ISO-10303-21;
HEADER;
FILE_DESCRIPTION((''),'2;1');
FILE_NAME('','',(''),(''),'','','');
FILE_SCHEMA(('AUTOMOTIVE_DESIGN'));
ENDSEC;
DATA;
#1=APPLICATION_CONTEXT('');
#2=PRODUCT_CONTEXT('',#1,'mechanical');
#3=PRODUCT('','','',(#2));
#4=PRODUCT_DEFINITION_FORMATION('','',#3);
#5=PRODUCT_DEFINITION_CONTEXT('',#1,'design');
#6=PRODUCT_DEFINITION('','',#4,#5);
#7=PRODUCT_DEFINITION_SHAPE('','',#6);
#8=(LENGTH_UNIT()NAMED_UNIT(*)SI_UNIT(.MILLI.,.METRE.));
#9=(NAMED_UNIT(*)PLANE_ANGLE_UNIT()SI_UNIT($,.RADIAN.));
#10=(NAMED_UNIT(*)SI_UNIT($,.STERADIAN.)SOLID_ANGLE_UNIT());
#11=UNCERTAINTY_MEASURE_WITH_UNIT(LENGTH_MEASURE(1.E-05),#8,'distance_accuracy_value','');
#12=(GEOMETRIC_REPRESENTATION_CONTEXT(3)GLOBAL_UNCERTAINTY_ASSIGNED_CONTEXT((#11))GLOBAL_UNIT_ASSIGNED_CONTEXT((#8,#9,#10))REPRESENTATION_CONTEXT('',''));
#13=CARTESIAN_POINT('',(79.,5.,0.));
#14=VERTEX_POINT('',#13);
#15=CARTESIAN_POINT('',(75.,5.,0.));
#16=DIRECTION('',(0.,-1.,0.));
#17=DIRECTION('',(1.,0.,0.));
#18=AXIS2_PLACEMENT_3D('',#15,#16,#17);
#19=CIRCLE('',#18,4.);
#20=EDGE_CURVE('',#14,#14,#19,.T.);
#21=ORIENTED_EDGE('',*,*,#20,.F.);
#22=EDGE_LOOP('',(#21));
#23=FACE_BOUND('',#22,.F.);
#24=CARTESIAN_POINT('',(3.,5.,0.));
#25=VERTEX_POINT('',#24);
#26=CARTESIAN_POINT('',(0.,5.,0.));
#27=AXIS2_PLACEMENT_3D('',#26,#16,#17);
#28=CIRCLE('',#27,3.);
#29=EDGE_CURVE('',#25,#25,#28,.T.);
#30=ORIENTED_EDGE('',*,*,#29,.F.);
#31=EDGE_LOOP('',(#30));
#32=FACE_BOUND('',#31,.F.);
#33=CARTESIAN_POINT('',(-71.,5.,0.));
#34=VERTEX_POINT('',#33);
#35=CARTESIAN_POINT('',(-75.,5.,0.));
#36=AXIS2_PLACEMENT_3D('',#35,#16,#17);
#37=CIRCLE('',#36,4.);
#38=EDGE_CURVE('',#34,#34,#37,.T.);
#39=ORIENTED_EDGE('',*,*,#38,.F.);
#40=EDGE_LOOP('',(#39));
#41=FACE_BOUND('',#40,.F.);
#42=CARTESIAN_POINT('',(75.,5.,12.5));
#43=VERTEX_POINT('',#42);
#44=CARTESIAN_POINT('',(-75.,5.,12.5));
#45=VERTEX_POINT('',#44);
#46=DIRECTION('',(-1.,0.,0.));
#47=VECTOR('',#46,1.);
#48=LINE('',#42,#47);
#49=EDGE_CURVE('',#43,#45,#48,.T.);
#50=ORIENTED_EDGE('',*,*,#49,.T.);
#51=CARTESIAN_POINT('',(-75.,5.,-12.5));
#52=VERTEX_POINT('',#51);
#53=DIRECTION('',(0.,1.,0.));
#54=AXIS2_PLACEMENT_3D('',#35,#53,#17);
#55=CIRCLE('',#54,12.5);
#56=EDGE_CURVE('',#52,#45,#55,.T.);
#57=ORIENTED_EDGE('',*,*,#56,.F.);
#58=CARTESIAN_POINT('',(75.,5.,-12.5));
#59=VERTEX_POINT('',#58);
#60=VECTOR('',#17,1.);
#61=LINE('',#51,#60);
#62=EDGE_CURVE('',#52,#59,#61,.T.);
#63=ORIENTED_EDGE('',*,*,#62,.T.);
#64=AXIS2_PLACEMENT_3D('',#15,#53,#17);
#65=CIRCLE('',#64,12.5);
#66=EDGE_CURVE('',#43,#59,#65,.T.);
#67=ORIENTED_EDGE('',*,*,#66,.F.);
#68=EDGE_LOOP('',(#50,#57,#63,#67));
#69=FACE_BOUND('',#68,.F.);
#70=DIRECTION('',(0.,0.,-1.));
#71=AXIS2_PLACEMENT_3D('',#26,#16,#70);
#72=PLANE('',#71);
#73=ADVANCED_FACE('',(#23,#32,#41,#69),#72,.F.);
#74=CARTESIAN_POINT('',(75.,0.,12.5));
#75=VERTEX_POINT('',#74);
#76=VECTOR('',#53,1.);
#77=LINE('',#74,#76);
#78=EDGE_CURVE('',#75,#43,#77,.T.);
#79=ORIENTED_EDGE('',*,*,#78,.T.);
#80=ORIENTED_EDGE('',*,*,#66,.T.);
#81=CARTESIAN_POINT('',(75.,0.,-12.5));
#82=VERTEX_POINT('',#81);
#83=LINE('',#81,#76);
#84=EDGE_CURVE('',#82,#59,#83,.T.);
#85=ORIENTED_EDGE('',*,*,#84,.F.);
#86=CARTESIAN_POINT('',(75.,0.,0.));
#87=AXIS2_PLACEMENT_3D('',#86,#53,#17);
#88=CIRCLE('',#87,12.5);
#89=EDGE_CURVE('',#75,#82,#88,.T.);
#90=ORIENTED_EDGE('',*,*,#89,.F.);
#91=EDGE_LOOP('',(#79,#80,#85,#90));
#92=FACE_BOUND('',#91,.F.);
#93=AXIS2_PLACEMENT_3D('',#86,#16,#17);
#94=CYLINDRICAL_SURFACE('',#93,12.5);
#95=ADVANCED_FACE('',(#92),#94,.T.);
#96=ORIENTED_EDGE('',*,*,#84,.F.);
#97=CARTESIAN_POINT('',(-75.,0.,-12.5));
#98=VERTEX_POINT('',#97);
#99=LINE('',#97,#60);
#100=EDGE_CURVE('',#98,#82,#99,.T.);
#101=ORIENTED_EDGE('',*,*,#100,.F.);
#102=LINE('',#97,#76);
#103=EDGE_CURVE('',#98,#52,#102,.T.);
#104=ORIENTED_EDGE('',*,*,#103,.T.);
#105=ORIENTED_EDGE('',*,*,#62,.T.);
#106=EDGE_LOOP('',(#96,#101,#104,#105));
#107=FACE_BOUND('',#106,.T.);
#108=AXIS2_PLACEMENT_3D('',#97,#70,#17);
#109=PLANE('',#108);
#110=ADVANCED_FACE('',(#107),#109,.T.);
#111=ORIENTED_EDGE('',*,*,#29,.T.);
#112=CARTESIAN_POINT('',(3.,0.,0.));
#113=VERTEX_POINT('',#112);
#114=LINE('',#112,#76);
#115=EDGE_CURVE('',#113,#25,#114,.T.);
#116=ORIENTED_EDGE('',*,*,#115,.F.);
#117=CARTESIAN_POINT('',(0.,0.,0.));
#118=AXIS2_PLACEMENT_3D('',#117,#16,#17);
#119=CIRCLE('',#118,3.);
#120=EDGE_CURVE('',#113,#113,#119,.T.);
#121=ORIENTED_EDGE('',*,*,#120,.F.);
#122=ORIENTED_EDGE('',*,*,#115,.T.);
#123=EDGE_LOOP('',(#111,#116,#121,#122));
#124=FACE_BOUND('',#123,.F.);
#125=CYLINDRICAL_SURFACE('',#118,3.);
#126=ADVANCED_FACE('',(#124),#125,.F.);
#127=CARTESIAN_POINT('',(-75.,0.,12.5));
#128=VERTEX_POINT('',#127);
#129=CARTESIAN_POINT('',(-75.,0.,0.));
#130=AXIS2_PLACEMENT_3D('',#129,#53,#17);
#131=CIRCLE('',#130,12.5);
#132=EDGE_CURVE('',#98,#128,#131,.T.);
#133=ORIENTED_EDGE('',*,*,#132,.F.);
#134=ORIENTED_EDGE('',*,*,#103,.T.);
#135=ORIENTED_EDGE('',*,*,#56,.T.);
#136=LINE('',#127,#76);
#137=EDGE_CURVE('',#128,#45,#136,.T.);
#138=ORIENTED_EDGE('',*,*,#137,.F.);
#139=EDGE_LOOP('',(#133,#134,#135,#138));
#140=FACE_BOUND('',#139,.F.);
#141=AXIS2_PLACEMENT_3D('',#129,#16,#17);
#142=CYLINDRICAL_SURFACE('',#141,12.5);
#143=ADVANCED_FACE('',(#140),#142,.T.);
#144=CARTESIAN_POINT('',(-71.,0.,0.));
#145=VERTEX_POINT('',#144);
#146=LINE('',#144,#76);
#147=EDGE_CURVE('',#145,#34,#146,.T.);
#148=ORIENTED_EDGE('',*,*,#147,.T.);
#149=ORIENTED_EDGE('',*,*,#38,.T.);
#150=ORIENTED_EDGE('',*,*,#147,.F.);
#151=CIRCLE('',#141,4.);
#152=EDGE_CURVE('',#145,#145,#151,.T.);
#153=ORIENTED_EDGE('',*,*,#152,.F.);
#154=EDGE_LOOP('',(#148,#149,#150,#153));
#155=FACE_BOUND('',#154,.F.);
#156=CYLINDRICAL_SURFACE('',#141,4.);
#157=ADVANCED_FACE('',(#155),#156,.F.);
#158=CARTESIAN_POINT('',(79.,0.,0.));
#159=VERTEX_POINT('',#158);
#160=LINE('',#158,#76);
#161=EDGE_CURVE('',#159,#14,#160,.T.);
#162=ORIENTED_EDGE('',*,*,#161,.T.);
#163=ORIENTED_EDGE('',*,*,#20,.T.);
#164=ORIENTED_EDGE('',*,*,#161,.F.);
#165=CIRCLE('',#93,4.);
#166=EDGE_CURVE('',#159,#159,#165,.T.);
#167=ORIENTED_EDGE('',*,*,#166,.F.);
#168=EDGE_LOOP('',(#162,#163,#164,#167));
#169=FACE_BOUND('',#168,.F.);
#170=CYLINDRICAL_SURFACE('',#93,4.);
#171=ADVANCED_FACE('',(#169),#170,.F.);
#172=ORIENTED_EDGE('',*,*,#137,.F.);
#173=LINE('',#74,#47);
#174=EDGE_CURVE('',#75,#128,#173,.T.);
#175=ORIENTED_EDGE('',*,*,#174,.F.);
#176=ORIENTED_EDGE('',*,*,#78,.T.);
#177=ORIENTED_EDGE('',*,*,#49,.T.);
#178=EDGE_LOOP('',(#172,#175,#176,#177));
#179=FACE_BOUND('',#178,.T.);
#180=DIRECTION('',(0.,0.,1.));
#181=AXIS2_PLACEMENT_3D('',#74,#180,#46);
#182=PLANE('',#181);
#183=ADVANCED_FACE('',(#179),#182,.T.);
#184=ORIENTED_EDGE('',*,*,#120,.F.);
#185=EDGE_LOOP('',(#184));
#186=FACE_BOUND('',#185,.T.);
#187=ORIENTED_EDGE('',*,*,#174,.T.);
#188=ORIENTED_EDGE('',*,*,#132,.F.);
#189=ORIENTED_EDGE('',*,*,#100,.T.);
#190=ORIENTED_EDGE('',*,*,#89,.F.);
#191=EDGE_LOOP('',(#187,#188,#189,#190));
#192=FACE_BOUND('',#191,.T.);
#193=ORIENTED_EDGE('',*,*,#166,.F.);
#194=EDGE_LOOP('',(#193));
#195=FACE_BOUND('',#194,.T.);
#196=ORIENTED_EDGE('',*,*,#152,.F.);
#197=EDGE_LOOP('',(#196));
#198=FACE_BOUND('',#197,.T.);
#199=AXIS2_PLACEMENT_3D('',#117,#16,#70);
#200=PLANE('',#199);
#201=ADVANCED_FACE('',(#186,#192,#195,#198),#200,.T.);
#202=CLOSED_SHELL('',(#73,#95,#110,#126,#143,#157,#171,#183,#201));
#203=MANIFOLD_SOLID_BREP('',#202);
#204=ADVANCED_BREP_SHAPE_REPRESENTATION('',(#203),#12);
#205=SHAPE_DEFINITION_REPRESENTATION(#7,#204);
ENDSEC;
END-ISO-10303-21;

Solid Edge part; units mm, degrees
sketch "Sketch1" plane through (0, 0, 0) normal (0, -1, 0) x (1, 0, 0)
  line L0 (75, 12.5) -> (-75, 12.5)
  line L1 (-75, -12.5) -> (75, -12.5)
  arc A0 (-75, -12.5) -> (-75, 12.5) centre (-75, 0) cw
  arc A1 (75, 12.5) -> (75, -12.5) centre (75, 0) cw
  circle A2 centre (-75, 0) radius 4
  circle A3 centre (75, 0) radius 4
  circle A4 centre (0, 0) radius 3
extrude "ExtrudedProtrusion_2" add sketch "Sketch1" against normal blind 5
properties material "Polycarbonate( 20-40% Glass Fiber)"
